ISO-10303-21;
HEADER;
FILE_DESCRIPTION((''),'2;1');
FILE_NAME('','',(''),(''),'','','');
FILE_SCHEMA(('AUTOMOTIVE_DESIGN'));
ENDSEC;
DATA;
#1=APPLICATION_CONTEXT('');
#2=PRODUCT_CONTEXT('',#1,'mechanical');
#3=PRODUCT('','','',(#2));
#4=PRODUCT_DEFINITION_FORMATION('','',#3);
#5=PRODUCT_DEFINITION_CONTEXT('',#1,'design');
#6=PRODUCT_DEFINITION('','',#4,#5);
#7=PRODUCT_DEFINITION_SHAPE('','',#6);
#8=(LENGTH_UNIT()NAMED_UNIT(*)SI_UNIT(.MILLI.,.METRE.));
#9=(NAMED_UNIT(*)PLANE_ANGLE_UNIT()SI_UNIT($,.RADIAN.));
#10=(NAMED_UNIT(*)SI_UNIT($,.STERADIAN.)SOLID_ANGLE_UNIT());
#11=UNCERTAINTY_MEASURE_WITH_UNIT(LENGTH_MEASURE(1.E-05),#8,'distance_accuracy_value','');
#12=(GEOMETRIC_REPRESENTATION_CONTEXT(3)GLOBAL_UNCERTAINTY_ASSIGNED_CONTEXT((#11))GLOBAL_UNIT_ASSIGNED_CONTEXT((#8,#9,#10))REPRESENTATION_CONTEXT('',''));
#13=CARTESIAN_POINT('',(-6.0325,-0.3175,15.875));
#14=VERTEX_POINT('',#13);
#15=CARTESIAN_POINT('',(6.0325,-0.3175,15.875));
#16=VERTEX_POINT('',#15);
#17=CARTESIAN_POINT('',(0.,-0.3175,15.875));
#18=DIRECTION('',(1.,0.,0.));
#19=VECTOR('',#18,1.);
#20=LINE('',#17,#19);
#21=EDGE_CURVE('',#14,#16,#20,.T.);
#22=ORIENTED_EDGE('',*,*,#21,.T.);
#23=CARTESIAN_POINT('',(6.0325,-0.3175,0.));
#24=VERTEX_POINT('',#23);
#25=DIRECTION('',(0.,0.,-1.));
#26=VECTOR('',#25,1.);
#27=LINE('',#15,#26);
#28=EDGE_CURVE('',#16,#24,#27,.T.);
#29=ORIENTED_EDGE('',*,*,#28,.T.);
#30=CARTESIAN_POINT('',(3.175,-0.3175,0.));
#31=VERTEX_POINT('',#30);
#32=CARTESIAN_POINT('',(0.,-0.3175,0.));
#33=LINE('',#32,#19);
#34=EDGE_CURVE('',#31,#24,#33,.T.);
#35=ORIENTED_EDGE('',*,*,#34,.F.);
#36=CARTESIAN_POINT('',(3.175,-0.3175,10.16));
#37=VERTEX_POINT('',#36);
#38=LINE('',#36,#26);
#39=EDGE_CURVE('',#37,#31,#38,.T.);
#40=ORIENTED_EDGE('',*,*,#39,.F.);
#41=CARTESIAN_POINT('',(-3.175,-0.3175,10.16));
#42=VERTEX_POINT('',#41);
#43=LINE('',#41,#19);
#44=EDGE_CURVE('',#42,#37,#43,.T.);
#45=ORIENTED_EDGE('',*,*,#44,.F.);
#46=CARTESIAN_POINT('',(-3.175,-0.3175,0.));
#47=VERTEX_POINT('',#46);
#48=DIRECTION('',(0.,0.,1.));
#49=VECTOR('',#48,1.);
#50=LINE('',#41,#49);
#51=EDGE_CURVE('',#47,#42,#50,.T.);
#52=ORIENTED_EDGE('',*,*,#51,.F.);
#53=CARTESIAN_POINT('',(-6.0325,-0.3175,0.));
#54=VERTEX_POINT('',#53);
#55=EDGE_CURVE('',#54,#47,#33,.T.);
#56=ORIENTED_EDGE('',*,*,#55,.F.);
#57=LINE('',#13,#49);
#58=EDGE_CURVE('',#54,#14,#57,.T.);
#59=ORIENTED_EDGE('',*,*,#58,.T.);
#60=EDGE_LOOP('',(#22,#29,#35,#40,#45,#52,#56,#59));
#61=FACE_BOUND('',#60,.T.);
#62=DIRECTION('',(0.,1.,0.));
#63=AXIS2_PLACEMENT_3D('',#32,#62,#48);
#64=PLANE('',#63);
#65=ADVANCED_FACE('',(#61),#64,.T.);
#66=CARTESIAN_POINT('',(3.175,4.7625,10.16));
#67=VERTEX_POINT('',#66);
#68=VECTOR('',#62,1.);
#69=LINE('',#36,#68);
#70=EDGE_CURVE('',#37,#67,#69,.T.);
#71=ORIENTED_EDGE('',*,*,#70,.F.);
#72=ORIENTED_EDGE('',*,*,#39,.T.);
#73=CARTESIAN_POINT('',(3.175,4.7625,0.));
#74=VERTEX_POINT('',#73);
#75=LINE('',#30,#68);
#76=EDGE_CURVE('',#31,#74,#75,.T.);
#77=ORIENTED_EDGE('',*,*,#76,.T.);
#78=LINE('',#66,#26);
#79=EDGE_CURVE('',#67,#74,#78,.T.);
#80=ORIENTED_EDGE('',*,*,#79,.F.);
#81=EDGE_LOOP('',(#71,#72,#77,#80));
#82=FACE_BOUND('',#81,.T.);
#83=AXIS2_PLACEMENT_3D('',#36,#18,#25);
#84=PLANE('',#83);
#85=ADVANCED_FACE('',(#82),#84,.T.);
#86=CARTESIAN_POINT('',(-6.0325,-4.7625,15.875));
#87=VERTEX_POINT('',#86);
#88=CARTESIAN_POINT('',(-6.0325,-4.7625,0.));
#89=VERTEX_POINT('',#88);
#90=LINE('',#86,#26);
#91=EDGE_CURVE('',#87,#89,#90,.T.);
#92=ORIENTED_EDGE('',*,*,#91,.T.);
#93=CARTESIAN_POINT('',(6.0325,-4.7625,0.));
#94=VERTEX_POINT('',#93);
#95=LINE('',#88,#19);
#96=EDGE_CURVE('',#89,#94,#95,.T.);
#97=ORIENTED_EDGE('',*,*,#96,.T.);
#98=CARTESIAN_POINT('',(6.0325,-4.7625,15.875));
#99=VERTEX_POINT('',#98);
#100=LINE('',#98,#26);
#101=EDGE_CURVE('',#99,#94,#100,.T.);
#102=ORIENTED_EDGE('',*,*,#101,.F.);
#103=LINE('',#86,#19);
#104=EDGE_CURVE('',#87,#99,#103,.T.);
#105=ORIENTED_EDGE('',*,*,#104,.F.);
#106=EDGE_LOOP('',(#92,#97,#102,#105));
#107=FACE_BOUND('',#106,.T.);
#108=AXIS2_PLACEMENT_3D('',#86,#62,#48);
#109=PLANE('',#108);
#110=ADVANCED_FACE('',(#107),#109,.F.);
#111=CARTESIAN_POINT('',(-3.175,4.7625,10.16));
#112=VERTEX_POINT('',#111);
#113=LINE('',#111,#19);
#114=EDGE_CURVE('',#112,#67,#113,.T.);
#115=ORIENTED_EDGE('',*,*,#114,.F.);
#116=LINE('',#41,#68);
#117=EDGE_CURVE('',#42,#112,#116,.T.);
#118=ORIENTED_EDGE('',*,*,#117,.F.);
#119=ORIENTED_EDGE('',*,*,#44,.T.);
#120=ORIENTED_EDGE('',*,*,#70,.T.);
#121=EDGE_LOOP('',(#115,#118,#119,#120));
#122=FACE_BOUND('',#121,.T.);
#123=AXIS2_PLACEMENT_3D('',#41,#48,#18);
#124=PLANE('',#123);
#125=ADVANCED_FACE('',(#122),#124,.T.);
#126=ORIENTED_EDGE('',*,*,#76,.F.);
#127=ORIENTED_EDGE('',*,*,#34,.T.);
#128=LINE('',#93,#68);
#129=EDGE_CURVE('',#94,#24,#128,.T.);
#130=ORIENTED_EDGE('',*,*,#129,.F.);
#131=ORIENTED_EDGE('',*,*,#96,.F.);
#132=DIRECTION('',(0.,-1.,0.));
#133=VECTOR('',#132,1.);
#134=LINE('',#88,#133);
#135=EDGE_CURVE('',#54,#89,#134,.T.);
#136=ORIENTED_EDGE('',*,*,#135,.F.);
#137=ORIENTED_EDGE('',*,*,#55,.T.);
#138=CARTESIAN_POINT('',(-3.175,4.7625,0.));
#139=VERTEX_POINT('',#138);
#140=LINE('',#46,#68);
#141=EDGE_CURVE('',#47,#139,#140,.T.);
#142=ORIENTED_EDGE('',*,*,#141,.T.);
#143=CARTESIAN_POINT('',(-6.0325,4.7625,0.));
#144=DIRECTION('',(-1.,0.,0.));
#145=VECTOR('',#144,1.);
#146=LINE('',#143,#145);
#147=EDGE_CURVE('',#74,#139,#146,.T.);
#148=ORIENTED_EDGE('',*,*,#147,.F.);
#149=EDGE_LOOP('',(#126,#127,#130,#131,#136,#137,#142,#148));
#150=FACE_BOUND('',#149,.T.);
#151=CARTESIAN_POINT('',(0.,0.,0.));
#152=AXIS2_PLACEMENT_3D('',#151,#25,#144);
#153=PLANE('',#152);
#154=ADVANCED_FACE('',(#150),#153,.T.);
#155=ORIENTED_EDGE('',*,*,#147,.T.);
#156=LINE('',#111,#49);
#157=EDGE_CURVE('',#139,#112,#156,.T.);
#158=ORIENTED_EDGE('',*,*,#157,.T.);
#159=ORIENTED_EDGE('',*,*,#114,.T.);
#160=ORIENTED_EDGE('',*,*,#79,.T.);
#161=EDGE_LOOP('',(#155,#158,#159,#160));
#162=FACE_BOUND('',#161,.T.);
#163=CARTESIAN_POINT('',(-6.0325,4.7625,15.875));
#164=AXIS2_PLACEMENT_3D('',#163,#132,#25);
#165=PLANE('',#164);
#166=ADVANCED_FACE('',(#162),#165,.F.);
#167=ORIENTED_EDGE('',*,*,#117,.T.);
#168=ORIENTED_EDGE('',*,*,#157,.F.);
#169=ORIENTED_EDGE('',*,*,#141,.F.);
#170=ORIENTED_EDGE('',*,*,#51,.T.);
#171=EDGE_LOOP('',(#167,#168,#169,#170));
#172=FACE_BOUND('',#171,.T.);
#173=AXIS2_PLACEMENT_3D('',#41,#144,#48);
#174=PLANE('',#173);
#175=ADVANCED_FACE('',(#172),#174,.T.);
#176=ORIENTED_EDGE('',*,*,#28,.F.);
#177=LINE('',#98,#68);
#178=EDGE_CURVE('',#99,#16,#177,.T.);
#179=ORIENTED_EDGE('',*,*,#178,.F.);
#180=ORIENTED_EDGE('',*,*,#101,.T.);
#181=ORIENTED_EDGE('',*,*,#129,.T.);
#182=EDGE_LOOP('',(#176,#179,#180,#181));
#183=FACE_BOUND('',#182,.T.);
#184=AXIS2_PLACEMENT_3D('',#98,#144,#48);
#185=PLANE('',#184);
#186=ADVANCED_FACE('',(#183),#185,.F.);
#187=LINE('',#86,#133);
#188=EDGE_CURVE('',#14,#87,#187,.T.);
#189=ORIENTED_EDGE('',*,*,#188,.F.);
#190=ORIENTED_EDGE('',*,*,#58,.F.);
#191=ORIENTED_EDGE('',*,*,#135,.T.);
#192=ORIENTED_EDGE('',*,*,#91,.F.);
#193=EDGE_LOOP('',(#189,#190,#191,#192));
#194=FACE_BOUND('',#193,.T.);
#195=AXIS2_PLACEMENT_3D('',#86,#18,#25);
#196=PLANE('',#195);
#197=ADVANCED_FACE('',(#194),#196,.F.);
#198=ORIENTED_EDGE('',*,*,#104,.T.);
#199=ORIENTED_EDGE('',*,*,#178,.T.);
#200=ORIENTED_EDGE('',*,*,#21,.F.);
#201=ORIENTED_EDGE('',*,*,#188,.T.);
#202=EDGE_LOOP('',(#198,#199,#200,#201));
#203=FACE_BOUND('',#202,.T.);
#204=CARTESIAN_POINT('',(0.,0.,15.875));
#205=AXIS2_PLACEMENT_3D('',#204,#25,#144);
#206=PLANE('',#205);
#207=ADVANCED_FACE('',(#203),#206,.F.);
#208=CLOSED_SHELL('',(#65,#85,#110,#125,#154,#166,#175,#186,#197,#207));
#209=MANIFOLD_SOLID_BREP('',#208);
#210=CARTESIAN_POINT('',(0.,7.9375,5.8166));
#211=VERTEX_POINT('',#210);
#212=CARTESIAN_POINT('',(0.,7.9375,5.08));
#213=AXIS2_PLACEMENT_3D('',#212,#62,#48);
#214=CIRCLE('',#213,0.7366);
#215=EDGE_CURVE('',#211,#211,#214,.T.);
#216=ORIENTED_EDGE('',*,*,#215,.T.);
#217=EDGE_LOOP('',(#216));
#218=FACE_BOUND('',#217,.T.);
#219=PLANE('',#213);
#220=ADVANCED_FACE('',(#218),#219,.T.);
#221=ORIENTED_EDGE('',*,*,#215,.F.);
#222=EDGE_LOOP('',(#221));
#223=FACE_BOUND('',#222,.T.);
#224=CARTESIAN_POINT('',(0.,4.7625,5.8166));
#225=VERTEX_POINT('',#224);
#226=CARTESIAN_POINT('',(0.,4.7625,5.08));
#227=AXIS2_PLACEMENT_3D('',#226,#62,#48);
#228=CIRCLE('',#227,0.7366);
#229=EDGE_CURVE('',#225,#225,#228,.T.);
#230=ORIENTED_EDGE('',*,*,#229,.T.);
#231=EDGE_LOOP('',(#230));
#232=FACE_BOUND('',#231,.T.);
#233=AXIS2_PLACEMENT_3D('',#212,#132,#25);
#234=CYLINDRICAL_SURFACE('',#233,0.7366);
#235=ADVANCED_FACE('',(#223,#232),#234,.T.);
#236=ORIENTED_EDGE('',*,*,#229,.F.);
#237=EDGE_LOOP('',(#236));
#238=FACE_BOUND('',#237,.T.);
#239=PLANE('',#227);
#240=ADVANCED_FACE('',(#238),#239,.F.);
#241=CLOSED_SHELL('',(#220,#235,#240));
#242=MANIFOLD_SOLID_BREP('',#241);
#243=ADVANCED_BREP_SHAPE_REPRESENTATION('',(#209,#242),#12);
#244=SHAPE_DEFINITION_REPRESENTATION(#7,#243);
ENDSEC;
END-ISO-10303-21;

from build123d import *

# Parameters (mm, degrees)
SKETCH1_W           = 12.065
SKETCH1_H           = 9.525
BASE_DEPTH          = 15.875
SKETCH7_W           = 18.144441676
SKETCH7_H           = 22.667604572
SKETCH7_W_2         = 6.35
SKETCH7_H_2         = 10.16
CUT_EXTRUDE1_DEPTH  = 5.08
SKETCH8_R           = 0.7366
BOSS_EXTRUDE1_DEPTH = 3.175


with BuildPart() as part:
    # Sketch1 → Base (new body)
    with BuildSketch(Plane.XY):
        Rectangle(SKETCH1_W, SKETCH1_H)
    extrude(amount=BASE_DEPTH)

    # Sketch7 → Cut-Extrude1 (cut)
    with BuildSketch(Plane(origin=(0, 4.7625, 0), x_dir=(1, 0, 0), z_dir=(0, 1, 0))):
        with Locations((0.669483701, -7.615912702)):
            Rectangle(SKETCH7_W, SKETCH7_H)
        with Locations((0, -5.08)):
            Rectangle(SKETCH7_W_2, SKETCH7_H_2, mode=Mode.SUBTRACT)
    extrude(amount=-CUT_EXTRUDE1_DEPTH, mode=Mode.SUBTRACT)


with BuildPart() as body_2:
    # Sketch8 → Boss-Extrude1 (new body)
    with BuildSketch(Plane(origin=(0, 4.7625, 0), x_dir=(1, 0, 0), z_dir=(0, 1, 0))):
        with Locations(Location((0, -5.08, 0), (0, 0, 270))):
            Circle(SKETCH8_R)
    extrude(amount=BOSS_EXTRUDE1_DEPTH)


solid = Compound([part.part, body_2.part])
